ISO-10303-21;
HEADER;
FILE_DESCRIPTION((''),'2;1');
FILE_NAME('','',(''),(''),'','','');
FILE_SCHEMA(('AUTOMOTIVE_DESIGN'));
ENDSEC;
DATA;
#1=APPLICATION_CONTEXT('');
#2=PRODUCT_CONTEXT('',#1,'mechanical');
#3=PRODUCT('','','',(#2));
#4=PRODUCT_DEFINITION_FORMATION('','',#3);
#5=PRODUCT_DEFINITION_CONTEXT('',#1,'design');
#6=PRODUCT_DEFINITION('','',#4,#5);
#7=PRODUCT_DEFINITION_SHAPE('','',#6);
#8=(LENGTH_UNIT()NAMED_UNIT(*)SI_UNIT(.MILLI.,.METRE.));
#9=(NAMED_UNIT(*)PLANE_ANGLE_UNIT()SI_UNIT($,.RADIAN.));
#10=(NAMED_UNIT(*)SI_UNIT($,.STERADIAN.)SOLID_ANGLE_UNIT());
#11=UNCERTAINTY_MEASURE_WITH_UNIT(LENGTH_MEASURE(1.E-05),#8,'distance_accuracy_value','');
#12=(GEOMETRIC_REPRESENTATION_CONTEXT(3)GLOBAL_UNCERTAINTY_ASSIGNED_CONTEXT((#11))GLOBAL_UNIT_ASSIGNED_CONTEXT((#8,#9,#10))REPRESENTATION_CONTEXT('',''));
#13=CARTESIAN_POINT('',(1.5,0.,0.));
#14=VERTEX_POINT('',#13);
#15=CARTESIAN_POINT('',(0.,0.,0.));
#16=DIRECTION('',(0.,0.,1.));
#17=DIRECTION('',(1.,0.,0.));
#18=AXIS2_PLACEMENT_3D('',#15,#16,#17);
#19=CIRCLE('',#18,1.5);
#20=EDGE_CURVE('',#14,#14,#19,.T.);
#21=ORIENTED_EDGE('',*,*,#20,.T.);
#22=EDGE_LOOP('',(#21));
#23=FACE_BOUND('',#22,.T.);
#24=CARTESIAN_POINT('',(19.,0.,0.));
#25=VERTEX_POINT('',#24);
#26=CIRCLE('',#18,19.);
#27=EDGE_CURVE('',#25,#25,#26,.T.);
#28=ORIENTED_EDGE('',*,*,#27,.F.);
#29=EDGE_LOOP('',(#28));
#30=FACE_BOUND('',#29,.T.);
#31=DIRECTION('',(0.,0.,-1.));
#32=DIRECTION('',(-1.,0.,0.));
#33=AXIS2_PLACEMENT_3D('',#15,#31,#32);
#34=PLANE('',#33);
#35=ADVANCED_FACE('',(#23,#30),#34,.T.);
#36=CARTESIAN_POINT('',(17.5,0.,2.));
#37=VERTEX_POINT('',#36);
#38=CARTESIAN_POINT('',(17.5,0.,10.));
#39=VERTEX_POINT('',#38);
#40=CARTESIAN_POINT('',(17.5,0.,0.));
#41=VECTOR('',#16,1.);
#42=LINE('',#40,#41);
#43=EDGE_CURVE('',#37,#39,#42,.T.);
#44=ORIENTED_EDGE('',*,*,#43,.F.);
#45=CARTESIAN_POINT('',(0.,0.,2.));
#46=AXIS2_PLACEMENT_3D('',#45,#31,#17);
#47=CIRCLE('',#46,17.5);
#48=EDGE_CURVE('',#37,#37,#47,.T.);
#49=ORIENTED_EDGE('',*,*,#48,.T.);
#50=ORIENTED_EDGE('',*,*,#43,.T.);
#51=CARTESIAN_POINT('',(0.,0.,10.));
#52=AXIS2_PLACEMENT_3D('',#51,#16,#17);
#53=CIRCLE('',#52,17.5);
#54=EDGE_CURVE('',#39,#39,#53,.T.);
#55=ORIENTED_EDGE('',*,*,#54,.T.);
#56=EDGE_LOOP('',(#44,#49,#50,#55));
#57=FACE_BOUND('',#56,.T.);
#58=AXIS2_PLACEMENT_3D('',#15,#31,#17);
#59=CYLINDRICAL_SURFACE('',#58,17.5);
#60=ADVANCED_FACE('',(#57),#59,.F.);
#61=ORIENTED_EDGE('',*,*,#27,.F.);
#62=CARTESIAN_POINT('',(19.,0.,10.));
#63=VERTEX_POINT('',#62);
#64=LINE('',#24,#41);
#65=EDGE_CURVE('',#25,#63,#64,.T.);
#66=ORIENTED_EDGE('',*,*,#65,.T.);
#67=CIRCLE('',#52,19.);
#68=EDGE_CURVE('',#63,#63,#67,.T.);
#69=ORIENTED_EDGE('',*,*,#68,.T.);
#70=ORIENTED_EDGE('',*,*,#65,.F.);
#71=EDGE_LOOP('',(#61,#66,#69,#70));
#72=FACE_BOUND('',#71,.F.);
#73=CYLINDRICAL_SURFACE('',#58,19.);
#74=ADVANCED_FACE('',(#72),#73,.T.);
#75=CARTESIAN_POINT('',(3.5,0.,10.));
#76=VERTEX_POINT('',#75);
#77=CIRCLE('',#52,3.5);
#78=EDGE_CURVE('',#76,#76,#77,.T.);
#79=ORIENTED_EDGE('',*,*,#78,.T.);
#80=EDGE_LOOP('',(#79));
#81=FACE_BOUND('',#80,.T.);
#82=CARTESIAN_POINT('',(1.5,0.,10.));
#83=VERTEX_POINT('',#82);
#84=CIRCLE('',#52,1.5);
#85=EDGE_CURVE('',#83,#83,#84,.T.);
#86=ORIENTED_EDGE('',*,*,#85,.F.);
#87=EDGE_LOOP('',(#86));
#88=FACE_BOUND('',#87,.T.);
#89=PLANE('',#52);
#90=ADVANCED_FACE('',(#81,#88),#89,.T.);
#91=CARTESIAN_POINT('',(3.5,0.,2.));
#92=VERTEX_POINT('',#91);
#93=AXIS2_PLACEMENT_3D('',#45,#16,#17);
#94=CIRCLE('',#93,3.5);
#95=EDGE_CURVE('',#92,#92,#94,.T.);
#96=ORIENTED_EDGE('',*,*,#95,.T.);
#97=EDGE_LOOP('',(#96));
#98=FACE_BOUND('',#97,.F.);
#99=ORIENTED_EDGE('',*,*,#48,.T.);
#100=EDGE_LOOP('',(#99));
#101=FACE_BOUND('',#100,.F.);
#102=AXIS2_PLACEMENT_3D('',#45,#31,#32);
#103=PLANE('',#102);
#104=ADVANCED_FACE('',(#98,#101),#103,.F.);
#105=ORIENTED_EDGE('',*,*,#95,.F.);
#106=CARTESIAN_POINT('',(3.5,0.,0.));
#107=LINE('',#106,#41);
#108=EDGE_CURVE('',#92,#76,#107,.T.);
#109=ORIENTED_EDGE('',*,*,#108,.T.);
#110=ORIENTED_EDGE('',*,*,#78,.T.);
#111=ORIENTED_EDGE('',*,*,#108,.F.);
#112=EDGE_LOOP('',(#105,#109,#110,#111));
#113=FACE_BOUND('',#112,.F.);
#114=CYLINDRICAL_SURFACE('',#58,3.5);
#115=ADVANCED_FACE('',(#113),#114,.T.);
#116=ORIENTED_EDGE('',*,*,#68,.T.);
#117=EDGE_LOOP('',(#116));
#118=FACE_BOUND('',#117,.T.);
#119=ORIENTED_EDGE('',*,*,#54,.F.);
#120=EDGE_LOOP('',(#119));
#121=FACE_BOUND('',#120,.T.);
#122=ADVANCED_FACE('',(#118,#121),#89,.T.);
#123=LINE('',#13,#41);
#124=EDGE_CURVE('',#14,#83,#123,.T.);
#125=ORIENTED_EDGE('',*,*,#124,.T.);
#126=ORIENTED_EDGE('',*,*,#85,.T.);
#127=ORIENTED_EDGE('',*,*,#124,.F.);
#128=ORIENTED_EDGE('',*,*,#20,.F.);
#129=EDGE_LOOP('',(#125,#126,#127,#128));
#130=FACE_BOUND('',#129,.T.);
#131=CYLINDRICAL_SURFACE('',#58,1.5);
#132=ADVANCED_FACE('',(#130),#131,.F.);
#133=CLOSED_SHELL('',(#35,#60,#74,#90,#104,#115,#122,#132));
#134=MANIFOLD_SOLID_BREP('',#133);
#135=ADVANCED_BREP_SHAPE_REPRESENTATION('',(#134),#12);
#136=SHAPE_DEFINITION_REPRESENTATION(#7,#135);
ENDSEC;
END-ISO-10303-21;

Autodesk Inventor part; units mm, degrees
sketch "Sketch1" plane through (0, 0, 0) normal (0, 0, 1) x (1, 0, 0)
  line L0 (0, 2.8582) -> (0, -2.8582) construction
  line L1 (-5.7775, 0) -> (5.7775, 0) construction
  circle A0 centre (0, 0) radius 1.5
  circle A1 centre (0, 0) radius 17.5
  circle A2 centre (0, 0) radius 3.5
  circle A3 centre (0, 0) radius 19
  dimension "d0" = 3
  dimension "d1" = 35
  dimension "d2" = 7
  dimension "d3" = 38
extrude "Extrusion1" add sketch "Sketch1" along normal blind 10
sketch "Sketch2" plane through (0, 0, 0) normal (0, 0, -1) x (-1, 0, 0)
  circle A0 centre (0, 0) radius 1.5 projected
  circle A1 centre (0, 0) radius 3.5 projected
  circle A2 centre (0, 0) radius 17.5 projected
  circle A3 centre (0, 0) radius 19 projected
extrude "Extrusion2" add sketch "Sketch2" against normal blind 2 contours A2
ref_plane "Ground" through (0, 19.5, 0) normal (0, 1, 0) x (-1, 0, 0)
properties part number "Wheel" material "S235"
